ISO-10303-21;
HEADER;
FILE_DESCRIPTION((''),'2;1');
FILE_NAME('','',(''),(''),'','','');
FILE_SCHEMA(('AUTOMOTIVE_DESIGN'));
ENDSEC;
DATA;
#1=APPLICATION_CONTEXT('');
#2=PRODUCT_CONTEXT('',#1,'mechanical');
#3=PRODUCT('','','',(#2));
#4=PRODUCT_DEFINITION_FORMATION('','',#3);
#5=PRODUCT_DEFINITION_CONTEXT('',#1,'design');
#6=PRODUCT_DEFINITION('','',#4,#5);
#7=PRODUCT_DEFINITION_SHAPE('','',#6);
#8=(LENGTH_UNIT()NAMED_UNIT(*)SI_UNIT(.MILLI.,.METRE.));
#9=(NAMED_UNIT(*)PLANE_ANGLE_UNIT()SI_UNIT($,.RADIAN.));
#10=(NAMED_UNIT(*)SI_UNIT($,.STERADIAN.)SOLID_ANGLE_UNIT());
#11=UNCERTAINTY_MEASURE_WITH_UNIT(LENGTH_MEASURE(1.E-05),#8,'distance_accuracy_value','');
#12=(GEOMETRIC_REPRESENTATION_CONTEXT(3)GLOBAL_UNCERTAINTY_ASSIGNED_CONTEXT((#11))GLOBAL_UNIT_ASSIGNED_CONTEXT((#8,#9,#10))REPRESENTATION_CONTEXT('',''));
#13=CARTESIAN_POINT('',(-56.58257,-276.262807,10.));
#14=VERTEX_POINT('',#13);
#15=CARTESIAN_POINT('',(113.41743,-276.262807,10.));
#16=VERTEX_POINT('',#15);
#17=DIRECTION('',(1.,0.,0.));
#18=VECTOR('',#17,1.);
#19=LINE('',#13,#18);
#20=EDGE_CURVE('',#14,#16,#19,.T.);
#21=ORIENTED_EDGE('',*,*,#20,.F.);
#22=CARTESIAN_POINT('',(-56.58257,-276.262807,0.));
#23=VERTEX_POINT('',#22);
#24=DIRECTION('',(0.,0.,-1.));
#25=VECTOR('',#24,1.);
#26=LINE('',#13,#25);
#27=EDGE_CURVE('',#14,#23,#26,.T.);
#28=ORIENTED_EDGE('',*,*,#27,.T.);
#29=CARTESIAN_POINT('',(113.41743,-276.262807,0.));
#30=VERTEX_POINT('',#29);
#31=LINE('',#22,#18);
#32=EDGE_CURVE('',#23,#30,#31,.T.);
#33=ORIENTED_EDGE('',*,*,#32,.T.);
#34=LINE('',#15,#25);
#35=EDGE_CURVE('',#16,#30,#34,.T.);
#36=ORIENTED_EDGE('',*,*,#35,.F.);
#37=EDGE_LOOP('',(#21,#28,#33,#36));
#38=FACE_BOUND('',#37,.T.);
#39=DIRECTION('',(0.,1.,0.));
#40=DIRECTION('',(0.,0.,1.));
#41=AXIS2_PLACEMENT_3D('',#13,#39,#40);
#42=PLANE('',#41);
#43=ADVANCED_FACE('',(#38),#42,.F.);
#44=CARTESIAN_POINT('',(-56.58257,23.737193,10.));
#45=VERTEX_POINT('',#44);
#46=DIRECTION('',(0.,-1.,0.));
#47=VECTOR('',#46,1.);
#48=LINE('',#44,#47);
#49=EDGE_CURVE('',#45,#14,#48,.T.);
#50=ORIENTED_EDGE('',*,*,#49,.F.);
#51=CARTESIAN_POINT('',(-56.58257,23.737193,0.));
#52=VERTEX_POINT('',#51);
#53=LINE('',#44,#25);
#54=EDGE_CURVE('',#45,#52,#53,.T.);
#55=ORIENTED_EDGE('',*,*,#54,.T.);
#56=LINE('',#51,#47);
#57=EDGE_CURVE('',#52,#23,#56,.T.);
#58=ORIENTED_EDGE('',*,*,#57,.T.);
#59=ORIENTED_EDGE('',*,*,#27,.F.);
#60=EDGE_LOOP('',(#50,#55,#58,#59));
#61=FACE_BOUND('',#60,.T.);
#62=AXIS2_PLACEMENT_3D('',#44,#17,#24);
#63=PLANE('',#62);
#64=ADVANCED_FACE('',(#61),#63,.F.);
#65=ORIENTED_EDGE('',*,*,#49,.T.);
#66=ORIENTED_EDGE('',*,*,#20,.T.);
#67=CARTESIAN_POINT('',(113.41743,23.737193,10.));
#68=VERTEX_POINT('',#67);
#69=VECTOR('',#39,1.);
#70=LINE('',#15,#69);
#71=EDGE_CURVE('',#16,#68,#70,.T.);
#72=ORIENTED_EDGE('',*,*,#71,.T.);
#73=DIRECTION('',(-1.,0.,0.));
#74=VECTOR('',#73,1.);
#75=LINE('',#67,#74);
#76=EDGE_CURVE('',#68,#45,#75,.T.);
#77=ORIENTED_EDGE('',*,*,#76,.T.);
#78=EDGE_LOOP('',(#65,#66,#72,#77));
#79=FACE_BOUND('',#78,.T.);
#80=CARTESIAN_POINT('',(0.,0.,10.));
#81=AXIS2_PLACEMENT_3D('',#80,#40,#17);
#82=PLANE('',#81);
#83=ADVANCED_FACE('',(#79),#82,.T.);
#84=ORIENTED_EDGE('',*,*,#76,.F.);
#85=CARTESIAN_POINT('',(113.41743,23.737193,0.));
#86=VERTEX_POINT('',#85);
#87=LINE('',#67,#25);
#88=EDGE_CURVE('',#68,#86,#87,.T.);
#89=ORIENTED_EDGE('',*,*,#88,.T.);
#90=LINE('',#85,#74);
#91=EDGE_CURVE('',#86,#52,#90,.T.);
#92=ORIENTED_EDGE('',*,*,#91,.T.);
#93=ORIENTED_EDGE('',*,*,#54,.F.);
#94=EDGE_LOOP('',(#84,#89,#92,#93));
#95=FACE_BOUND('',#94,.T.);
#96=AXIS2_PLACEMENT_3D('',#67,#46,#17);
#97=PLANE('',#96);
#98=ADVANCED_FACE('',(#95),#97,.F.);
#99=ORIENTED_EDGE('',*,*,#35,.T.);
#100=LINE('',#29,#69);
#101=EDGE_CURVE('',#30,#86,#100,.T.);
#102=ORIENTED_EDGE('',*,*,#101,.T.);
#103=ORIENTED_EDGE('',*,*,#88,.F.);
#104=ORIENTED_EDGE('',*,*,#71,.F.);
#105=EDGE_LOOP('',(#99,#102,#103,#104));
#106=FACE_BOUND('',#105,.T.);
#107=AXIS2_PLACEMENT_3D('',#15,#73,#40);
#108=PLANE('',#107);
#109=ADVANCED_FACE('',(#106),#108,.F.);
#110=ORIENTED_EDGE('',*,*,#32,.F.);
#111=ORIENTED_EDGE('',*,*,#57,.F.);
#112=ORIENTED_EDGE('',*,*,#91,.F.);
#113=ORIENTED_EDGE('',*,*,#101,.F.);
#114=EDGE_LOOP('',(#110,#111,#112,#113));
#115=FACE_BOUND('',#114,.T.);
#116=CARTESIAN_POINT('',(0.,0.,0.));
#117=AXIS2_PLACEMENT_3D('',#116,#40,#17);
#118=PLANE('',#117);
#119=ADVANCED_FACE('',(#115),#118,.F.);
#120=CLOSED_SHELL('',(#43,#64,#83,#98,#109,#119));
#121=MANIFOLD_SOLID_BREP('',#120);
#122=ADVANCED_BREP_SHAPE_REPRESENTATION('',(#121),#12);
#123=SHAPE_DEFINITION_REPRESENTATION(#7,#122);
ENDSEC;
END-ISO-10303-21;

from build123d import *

# Parameters (mm, degrees)
SKETCH_1_W      = 170
SKETCH_1_H      = 300
EXTRUDE_1_DEPTH = 10


with BuildPart() as part:
    # 草图1 → 凸台-拉伸1 (new body)
    with BuildSketch(Plane.XY):
        with Locations((28.417429749, -126.262807225)):
            Rectangle(SKETCH_1_W, SKETCH_1_H)
    extrude(amount=EXTRUDE_1_DEPTH)


solid = part.part
